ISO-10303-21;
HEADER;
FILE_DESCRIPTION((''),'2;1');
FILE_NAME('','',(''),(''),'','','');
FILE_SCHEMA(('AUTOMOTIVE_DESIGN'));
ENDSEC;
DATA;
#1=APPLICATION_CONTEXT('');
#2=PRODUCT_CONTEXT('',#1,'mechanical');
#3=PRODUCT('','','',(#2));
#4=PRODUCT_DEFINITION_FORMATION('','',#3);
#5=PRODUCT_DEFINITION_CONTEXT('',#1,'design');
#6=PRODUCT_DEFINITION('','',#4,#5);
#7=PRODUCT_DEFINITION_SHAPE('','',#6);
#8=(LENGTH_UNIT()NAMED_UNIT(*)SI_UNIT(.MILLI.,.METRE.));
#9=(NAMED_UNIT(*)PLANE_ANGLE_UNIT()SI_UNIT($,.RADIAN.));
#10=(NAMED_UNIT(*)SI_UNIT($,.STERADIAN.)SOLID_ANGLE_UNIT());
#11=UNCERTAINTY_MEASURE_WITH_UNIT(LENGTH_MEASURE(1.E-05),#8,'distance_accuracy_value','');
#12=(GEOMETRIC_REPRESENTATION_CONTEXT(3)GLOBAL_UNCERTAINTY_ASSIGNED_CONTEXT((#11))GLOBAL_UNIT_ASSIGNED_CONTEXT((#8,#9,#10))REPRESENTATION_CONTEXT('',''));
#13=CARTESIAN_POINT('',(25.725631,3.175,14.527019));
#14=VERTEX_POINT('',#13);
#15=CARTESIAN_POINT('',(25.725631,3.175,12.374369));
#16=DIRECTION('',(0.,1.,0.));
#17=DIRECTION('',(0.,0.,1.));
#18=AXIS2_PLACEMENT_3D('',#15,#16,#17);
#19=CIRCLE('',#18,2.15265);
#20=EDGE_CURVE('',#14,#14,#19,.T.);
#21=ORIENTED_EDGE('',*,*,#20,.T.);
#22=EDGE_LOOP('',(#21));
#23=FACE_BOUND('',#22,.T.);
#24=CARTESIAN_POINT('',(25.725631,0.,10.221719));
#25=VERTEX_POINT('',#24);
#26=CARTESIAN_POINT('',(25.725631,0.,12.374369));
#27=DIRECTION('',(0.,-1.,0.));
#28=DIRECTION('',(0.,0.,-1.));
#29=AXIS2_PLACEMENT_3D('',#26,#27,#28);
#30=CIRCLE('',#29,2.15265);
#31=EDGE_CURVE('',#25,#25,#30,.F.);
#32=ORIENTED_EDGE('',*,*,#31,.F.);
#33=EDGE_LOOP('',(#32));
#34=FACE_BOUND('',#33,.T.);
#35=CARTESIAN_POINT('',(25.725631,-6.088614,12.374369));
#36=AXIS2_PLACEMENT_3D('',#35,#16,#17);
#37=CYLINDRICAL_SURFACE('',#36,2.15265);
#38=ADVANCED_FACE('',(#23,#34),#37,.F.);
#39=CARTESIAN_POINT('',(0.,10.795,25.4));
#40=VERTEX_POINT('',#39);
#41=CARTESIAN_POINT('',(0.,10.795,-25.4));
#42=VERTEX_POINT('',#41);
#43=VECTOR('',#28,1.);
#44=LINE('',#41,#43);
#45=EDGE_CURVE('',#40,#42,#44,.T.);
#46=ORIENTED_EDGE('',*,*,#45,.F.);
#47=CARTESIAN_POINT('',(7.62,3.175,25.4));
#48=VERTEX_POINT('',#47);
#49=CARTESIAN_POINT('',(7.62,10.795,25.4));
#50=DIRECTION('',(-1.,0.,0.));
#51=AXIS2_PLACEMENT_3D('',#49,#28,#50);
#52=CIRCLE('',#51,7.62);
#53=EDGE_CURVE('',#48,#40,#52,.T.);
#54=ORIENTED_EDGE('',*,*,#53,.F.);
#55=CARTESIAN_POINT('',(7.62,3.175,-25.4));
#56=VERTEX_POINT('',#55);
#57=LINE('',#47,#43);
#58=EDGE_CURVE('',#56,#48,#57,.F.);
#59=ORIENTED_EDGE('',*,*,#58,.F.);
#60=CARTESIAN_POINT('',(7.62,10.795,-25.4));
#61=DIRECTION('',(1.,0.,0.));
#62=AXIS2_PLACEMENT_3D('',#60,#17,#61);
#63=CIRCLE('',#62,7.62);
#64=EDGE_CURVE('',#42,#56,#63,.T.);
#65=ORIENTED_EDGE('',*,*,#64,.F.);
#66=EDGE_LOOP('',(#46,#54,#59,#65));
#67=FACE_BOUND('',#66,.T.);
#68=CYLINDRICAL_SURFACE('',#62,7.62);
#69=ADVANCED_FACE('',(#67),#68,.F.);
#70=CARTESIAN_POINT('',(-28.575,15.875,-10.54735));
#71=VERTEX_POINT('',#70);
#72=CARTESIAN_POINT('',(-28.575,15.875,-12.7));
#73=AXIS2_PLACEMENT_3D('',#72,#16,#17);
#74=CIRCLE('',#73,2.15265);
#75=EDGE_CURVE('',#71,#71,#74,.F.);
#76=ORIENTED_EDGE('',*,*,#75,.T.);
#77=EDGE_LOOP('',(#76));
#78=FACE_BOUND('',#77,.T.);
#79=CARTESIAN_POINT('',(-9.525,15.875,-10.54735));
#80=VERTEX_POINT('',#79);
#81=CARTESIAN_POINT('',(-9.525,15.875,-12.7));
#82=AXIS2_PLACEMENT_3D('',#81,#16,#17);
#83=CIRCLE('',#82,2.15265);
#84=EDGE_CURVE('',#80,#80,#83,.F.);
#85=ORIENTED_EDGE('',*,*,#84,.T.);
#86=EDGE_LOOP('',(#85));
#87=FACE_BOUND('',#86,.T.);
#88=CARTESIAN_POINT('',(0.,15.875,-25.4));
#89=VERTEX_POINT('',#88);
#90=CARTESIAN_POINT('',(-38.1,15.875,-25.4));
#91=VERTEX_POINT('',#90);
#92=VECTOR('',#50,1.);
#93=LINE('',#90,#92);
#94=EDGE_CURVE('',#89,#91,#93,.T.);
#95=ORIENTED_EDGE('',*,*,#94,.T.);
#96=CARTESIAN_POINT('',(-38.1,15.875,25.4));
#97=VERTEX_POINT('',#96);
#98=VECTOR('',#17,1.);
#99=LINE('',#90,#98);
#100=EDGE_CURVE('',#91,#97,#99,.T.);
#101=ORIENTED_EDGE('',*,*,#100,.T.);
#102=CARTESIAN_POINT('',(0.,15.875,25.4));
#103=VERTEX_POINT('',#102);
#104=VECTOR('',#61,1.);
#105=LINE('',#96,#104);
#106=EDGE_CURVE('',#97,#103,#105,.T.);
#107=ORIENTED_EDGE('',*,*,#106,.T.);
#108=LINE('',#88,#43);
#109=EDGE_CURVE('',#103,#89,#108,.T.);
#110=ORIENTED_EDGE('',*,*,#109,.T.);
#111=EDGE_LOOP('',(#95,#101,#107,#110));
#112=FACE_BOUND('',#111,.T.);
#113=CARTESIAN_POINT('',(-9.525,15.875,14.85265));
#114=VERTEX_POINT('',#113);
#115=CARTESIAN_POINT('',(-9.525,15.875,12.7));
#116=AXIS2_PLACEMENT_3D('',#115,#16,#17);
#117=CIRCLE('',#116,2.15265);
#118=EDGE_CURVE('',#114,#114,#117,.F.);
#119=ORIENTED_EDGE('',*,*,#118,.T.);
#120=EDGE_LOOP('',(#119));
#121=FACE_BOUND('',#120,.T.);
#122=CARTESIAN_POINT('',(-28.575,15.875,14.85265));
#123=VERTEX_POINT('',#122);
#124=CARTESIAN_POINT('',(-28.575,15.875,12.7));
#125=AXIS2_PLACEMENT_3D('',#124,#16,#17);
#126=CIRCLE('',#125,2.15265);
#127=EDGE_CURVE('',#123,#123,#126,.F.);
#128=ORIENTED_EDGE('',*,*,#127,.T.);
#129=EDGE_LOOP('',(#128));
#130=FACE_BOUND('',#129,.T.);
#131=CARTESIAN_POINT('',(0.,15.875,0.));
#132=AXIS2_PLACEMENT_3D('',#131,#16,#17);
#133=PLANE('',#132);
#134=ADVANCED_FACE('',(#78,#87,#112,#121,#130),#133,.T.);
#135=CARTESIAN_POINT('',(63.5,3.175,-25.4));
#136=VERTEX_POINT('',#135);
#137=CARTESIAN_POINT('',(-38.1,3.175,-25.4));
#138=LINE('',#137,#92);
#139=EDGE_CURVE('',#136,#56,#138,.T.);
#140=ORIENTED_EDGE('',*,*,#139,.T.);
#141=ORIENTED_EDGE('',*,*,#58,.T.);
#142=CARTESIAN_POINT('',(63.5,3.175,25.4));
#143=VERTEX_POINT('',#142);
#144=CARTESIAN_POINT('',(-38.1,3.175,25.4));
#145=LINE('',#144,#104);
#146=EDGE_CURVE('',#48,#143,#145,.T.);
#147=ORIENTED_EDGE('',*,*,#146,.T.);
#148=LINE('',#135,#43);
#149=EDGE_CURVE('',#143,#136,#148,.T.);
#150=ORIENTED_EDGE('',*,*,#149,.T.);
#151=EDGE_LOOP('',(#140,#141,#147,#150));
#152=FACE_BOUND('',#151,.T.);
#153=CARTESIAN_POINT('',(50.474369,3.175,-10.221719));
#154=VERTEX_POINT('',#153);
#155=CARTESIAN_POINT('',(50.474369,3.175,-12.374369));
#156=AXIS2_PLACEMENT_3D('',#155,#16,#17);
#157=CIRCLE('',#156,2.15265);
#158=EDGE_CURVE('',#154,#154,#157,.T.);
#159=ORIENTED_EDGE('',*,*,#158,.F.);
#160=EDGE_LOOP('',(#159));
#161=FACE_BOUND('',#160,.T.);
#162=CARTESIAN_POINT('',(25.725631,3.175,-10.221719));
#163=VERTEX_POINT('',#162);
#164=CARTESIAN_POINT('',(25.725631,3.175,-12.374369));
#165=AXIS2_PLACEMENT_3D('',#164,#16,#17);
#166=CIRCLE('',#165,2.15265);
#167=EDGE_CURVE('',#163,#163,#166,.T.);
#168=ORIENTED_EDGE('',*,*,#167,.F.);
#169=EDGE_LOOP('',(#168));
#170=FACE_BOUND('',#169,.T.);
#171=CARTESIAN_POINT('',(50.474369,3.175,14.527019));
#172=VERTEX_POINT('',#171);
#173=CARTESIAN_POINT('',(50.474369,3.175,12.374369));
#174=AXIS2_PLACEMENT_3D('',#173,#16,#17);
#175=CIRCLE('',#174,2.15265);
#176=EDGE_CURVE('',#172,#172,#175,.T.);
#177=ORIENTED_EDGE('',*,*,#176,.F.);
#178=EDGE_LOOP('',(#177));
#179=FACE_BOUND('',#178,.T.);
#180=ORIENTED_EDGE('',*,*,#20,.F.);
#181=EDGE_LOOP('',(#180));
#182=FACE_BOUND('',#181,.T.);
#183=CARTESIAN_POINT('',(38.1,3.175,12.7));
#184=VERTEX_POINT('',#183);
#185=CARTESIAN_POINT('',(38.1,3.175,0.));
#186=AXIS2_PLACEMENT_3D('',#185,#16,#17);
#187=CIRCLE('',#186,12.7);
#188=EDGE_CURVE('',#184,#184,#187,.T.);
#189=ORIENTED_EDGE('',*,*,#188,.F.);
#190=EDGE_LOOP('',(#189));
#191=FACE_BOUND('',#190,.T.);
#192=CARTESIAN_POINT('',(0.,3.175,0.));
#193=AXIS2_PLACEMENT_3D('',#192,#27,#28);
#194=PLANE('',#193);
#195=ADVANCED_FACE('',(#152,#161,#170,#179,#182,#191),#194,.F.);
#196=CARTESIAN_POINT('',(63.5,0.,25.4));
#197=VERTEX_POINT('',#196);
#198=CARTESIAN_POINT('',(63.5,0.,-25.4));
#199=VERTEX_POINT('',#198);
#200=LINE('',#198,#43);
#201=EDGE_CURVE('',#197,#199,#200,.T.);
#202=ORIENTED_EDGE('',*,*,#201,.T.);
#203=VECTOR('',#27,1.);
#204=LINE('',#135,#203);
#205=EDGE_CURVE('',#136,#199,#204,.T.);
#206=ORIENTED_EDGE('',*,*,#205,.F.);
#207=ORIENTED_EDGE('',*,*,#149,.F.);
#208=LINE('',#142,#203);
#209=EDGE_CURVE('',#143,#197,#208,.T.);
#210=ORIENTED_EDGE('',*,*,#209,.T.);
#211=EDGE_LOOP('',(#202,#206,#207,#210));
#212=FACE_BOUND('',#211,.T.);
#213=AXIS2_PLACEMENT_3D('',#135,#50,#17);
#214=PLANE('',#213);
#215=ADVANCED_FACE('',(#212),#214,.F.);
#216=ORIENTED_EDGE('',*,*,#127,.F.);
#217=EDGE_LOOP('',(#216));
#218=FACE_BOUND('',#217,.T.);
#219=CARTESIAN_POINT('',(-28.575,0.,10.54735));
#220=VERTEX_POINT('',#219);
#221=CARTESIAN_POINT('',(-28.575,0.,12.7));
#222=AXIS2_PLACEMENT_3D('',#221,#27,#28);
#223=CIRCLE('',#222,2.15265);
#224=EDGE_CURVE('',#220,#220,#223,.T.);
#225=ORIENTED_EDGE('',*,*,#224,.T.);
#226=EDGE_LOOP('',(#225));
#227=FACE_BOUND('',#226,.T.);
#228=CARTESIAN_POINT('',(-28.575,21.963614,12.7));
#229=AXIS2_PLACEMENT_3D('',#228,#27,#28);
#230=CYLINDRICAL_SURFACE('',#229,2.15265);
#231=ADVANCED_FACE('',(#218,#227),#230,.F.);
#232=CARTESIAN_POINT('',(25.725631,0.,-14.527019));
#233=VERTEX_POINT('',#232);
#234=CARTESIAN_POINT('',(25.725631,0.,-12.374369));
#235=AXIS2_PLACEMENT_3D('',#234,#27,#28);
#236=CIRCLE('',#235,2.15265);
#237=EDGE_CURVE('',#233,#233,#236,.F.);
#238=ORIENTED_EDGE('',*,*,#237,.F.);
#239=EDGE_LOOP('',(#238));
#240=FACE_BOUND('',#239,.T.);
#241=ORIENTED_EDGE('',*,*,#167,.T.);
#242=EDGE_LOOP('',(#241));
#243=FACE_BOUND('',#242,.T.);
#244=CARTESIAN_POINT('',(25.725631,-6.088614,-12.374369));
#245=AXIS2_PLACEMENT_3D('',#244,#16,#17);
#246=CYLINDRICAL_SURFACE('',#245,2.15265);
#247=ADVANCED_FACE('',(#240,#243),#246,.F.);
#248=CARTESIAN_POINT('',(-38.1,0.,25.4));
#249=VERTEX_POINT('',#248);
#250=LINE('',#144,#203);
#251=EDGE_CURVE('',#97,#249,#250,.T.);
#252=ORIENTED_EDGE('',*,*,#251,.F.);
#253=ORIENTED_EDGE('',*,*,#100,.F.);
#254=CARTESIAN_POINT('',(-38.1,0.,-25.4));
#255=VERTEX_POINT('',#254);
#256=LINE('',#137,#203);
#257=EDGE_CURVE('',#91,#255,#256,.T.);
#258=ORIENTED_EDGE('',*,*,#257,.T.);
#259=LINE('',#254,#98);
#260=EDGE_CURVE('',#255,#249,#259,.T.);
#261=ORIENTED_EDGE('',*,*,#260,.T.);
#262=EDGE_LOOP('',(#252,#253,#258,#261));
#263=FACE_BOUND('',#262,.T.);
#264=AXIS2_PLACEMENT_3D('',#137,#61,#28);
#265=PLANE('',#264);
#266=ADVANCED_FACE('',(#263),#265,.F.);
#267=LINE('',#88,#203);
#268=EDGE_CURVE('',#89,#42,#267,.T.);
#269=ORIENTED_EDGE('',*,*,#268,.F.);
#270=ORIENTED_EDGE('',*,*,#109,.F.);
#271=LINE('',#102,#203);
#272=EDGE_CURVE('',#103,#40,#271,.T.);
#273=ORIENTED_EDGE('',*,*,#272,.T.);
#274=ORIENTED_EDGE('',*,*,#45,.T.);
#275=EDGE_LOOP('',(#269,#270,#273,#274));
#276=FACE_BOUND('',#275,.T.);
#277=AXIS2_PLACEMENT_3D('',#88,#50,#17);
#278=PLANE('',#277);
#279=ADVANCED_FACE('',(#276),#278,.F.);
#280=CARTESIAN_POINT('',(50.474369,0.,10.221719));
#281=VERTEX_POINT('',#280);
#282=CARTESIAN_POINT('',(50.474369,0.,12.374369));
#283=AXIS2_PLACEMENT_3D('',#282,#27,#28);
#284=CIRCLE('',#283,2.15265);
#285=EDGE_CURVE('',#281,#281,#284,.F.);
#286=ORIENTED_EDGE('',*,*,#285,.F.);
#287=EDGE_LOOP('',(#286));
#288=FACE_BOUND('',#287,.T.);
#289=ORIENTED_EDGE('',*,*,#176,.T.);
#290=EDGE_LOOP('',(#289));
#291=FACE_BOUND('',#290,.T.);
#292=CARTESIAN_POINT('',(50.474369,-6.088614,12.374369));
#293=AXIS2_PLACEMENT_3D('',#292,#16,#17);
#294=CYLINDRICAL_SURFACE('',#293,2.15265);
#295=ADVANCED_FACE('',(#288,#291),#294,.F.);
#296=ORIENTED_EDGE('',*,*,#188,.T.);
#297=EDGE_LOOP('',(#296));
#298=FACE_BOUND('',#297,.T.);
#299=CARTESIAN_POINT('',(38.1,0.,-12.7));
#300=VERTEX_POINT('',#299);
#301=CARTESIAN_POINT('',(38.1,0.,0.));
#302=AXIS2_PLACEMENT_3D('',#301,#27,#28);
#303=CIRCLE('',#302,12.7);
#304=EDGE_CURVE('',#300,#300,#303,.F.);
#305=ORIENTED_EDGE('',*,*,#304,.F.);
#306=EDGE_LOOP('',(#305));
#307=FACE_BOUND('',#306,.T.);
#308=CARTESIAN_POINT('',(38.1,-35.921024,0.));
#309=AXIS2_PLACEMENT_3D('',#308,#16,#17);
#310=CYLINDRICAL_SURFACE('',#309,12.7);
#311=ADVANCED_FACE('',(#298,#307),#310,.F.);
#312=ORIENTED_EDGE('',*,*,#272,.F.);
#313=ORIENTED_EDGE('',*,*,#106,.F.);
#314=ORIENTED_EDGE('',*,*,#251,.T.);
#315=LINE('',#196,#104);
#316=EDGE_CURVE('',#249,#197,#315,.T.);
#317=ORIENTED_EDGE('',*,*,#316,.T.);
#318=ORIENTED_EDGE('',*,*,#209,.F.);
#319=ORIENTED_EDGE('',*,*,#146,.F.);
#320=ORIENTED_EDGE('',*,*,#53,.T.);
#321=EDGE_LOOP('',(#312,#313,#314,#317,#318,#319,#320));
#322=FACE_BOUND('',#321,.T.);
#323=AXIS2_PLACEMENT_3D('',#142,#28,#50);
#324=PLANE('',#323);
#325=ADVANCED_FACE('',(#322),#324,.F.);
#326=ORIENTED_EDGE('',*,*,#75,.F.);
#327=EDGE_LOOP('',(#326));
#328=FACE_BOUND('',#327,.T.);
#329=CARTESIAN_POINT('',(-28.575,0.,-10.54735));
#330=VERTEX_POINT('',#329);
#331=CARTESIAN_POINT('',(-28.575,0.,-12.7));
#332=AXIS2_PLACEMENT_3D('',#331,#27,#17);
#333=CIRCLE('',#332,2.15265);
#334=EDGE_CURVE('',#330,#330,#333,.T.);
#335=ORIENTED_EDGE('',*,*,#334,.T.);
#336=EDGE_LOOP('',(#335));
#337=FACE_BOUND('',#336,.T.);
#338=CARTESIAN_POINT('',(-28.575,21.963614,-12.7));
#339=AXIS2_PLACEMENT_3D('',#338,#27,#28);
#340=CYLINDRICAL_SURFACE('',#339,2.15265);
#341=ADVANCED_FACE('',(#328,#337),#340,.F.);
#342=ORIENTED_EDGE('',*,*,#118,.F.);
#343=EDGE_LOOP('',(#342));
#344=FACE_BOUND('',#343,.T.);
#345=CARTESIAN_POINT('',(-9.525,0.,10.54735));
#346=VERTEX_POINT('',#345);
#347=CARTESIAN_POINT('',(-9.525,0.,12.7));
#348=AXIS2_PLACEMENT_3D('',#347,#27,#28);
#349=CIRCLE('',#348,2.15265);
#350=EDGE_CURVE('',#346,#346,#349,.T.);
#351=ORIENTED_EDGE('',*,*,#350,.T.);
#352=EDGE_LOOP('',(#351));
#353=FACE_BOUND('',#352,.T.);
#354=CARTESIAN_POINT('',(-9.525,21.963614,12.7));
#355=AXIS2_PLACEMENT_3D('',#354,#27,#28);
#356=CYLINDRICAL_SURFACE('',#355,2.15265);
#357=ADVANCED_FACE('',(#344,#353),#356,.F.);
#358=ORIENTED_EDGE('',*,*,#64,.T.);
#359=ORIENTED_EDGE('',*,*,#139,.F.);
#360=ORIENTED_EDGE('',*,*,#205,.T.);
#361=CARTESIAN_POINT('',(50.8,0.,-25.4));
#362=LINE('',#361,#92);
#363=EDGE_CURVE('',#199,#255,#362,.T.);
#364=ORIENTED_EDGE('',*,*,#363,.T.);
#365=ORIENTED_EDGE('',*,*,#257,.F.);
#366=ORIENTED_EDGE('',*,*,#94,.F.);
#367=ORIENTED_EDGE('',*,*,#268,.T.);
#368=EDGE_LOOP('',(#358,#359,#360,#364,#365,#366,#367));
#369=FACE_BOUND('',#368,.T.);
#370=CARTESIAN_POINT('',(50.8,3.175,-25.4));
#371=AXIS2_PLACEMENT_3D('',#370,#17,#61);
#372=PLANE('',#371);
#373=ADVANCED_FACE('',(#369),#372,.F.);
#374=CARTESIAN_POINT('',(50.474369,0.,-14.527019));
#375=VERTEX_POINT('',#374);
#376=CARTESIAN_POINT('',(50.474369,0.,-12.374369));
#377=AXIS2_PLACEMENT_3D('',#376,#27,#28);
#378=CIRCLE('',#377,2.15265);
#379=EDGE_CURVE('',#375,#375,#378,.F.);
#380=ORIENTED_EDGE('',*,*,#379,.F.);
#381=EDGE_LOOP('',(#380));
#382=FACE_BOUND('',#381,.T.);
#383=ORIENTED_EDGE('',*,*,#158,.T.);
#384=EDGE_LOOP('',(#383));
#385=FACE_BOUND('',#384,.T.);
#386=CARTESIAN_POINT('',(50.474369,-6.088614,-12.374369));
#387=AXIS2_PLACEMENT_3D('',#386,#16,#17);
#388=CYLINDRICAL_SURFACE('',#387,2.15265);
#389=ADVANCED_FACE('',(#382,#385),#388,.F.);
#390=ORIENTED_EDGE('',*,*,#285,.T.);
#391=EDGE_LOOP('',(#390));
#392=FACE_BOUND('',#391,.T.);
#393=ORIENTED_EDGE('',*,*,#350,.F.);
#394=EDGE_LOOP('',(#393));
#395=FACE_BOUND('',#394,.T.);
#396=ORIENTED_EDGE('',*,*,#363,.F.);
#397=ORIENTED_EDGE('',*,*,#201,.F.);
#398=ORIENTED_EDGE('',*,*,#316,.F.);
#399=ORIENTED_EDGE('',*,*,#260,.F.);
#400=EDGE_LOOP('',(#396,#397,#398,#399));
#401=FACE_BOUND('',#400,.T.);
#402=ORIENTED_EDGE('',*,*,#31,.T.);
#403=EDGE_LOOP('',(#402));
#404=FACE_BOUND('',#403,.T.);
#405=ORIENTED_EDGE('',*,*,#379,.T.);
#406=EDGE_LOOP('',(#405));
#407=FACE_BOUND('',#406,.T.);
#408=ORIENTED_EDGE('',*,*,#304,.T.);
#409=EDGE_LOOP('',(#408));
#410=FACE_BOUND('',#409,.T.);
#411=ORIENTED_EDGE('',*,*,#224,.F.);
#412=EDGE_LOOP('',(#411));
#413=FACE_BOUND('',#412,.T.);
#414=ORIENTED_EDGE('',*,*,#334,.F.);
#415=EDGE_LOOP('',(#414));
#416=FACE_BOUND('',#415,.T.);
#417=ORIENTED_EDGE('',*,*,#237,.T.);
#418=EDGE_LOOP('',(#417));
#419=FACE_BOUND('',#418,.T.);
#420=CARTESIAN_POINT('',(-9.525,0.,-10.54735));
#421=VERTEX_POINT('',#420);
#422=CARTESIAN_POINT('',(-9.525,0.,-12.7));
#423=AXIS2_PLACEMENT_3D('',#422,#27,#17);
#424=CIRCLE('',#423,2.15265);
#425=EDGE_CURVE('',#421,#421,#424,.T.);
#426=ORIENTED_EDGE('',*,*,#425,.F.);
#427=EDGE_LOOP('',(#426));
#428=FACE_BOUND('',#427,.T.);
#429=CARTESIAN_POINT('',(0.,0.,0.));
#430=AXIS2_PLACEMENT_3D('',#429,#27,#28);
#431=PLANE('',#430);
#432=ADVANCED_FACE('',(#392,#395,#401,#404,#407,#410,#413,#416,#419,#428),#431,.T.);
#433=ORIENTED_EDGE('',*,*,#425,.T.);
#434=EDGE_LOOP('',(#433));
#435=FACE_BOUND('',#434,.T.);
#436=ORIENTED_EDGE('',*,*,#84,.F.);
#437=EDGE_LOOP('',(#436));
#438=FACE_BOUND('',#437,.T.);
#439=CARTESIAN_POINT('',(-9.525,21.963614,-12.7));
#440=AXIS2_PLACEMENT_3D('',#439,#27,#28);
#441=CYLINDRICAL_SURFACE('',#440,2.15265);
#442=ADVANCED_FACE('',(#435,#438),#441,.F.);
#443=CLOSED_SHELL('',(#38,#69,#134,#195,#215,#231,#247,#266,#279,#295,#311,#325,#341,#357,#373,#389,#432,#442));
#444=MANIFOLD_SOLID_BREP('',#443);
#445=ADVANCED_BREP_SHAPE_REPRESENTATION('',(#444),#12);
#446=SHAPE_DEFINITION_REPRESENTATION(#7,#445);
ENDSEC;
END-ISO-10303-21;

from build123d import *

# Parameters (mm, degrees)
BOSS_EXTRUDE1_DEPTH          = 3.175
SKETCH6_W                    = 38.1
SKETCH6_H                    = 50.8
BOSS_EXTRUDE3_DEPTH          = 12.7
FILLET1_R                    = 7.62
SKETCH2_R                    = 2.15265
MOUNTINGHOLESM4_DEPTH        = 3.175
SKETCH5_R                    = 12.7
HOLEFOR25MMOUTCROPPING_DEPTH = 3.175
SKETCH7_R                    = 2.15265
CUT_EXTRUDE4_DEPTH           = 15.875


with BuildPart() as part:
    # Sketch1 → Boss-Extrude1 (new body)
    with BuildSketch(Plane(origin=(0, 0, 0), x_dir=(1, 0, 0), z_dir=(0, 1, 0))):
        Polygon((50.8, 25.4), (63.5, 25.4), (63.5, -25.4), (50.8, -25.4), (0, -25.4), (-38.1, -25.4), (-38.1, 25.4), (0, 25.4), align=None)
    extrude(amount=BOSS_EXTRUDE1_DEPTH)

    # Sketch6 → Boss-Extrude3 (add)
    with BuildSketch(Plane(origin=(0, 3.175, 0), x_dir=(1, 0, 0), z_dir=(0, 1, 0))):
        with Locations((-19.05, 0)):
            Rectangle(SKETCH6_W, SKETCH6_H)
    extrude(amount=BOSS_EXTRUDE3_DEPTH)

    # Fillet1
    fillet1_edges = [part.edges().sort_by_distance(p)[0] for p in [
        (0, 3.175, 0),
    ]]
    fillet(fillet1_edges, radius=FILLET1_R)

    # Sketch2 → MountingHolesM4 (cut)
    with BuildSketch(Plane(origin=(0, 3.175, 0), x_dir=(1, 0, 0), z_dir=(0, 1, 0))):
        with Locations((50.474368671, 12.374368671)):
            Circle(SKETCH2_R)
        with Locations((50.474368671, -12.374368671)):
            Circle(SKETCH2_R)
        with Locations((25.725631329, -12.374368671)):
            Circle(SKETCH2_R)
        with Locations((25.725631329, 12.374368671)):
            Circle(SKETCH2_R)
    extrude(amount=-MOUNTINGHOLESM4_DEPTH, mode=Mode.SUBTRACT)

    # Sketch5 → HoleFor25mmOutCropping (cut)
    with BuildSketch(Plane(origin=(0, 3.175, 0), x_dir=(1, 0, 0), z_dir=(0, 1, 0))):
        with Locations((38.1, 0)):
            Circle(SKETCH5_R)
    extrude(amount=-HOLEFOR25MMOUTCROPPING_DEPTH, mode=Mode.SUBTRACT)

    # Sketch7 → Cut-Extrude4 (cut)
    with BuildSketch(Plane.XZ):
        with Locations((-9.525, -12.7)):
            Circle(SKETCH7_R)
        with Locations((-28.575, -12.7)):
            Circle(SKETCH7_R)
        with Locations((-9.525, 12.7)):
            Circle(SKETCH7_R)
        with Locations((-28.575, 12.7)):
            Circle(SKETCH7_R)
    extrude(amount=-CUT_EXTRUDE4_DEPTH, mode=Mode.SUBTRACT)


solid = part.part
